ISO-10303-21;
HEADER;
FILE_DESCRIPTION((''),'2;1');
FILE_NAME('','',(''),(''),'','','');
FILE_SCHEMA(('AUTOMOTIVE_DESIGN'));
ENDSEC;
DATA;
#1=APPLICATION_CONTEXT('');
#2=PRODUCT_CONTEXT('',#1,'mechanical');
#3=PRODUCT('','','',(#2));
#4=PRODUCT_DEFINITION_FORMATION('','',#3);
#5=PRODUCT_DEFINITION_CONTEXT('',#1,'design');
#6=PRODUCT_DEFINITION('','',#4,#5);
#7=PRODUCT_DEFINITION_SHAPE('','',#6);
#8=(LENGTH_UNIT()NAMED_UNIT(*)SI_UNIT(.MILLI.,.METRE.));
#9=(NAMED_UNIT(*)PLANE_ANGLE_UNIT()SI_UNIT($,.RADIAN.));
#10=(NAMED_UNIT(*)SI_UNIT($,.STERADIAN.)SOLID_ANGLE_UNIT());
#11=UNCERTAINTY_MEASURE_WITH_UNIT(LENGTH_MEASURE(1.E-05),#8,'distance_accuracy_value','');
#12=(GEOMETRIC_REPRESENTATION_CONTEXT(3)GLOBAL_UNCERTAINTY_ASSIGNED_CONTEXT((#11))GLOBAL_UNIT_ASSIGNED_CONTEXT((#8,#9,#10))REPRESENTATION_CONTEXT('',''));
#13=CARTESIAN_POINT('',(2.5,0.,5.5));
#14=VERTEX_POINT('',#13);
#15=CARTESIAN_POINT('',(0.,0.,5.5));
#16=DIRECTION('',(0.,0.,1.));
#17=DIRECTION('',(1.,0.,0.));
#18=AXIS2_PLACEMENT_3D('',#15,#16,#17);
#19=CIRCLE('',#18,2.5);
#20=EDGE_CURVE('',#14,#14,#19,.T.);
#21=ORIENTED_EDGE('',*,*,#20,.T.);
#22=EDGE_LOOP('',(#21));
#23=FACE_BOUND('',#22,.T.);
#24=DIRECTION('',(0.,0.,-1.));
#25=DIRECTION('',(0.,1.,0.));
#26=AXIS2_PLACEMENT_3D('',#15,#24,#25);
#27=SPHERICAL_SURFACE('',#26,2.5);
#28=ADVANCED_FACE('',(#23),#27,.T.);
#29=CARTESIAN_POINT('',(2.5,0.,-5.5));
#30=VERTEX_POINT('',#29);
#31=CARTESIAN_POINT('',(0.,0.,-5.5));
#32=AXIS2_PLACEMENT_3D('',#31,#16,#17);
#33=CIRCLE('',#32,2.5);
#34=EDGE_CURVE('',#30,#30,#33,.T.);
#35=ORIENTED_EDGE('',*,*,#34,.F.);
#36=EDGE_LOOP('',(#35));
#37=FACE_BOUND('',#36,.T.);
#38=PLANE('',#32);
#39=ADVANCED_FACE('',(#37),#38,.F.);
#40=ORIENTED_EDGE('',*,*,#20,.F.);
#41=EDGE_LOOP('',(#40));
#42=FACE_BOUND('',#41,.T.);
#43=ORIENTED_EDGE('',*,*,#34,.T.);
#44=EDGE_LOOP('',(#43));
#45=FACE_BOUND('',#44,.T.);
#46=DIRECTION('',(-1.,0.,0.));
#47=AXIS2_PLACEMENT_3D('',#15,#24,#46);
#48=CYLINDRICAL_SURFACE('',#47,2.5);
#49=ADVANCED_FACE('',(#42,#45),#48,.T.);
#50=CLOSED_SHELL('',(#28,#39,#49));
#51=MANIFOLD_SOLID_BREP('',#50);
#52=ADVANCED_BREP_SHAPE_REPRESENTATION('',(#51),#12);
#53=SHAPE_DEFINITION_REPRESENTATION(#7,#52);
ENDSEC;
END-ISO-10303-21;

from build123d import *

# Parameters (mm, degrees)
ESQUISSE1_R      = 2.5
EXTRUSION1_DEPTH = 5.5


with BuildPart() as part:
    # Esquisse1 → Extrusion1 (new, symmetric)
    with BuildSketch(Plane.XY):
        Circle(ESQUISSE1_R)
    extrude(amount=EXTRUSION1_DEPTH, both=True)

    # Esquisse2 → Révolution1 (revolve)
    with BuildSketch(Plane(origin=(0, 0, 0), x_dir=(0, 0, -1), z_dir=(1, 0, 0))):
        with BuildLine():
            Line((-5.5, 2.5), (-5.5, 0))
            Line((-5.5, 0), (-8, 0))
            ThreePointArc((-8, 0), (-7.267766953, 1.767766953), (-5.5, 2.5))
        make_face()
    revolve(axis=Axis((0, 0, 5.5), (0, 0, 1)))


solid = part.part
